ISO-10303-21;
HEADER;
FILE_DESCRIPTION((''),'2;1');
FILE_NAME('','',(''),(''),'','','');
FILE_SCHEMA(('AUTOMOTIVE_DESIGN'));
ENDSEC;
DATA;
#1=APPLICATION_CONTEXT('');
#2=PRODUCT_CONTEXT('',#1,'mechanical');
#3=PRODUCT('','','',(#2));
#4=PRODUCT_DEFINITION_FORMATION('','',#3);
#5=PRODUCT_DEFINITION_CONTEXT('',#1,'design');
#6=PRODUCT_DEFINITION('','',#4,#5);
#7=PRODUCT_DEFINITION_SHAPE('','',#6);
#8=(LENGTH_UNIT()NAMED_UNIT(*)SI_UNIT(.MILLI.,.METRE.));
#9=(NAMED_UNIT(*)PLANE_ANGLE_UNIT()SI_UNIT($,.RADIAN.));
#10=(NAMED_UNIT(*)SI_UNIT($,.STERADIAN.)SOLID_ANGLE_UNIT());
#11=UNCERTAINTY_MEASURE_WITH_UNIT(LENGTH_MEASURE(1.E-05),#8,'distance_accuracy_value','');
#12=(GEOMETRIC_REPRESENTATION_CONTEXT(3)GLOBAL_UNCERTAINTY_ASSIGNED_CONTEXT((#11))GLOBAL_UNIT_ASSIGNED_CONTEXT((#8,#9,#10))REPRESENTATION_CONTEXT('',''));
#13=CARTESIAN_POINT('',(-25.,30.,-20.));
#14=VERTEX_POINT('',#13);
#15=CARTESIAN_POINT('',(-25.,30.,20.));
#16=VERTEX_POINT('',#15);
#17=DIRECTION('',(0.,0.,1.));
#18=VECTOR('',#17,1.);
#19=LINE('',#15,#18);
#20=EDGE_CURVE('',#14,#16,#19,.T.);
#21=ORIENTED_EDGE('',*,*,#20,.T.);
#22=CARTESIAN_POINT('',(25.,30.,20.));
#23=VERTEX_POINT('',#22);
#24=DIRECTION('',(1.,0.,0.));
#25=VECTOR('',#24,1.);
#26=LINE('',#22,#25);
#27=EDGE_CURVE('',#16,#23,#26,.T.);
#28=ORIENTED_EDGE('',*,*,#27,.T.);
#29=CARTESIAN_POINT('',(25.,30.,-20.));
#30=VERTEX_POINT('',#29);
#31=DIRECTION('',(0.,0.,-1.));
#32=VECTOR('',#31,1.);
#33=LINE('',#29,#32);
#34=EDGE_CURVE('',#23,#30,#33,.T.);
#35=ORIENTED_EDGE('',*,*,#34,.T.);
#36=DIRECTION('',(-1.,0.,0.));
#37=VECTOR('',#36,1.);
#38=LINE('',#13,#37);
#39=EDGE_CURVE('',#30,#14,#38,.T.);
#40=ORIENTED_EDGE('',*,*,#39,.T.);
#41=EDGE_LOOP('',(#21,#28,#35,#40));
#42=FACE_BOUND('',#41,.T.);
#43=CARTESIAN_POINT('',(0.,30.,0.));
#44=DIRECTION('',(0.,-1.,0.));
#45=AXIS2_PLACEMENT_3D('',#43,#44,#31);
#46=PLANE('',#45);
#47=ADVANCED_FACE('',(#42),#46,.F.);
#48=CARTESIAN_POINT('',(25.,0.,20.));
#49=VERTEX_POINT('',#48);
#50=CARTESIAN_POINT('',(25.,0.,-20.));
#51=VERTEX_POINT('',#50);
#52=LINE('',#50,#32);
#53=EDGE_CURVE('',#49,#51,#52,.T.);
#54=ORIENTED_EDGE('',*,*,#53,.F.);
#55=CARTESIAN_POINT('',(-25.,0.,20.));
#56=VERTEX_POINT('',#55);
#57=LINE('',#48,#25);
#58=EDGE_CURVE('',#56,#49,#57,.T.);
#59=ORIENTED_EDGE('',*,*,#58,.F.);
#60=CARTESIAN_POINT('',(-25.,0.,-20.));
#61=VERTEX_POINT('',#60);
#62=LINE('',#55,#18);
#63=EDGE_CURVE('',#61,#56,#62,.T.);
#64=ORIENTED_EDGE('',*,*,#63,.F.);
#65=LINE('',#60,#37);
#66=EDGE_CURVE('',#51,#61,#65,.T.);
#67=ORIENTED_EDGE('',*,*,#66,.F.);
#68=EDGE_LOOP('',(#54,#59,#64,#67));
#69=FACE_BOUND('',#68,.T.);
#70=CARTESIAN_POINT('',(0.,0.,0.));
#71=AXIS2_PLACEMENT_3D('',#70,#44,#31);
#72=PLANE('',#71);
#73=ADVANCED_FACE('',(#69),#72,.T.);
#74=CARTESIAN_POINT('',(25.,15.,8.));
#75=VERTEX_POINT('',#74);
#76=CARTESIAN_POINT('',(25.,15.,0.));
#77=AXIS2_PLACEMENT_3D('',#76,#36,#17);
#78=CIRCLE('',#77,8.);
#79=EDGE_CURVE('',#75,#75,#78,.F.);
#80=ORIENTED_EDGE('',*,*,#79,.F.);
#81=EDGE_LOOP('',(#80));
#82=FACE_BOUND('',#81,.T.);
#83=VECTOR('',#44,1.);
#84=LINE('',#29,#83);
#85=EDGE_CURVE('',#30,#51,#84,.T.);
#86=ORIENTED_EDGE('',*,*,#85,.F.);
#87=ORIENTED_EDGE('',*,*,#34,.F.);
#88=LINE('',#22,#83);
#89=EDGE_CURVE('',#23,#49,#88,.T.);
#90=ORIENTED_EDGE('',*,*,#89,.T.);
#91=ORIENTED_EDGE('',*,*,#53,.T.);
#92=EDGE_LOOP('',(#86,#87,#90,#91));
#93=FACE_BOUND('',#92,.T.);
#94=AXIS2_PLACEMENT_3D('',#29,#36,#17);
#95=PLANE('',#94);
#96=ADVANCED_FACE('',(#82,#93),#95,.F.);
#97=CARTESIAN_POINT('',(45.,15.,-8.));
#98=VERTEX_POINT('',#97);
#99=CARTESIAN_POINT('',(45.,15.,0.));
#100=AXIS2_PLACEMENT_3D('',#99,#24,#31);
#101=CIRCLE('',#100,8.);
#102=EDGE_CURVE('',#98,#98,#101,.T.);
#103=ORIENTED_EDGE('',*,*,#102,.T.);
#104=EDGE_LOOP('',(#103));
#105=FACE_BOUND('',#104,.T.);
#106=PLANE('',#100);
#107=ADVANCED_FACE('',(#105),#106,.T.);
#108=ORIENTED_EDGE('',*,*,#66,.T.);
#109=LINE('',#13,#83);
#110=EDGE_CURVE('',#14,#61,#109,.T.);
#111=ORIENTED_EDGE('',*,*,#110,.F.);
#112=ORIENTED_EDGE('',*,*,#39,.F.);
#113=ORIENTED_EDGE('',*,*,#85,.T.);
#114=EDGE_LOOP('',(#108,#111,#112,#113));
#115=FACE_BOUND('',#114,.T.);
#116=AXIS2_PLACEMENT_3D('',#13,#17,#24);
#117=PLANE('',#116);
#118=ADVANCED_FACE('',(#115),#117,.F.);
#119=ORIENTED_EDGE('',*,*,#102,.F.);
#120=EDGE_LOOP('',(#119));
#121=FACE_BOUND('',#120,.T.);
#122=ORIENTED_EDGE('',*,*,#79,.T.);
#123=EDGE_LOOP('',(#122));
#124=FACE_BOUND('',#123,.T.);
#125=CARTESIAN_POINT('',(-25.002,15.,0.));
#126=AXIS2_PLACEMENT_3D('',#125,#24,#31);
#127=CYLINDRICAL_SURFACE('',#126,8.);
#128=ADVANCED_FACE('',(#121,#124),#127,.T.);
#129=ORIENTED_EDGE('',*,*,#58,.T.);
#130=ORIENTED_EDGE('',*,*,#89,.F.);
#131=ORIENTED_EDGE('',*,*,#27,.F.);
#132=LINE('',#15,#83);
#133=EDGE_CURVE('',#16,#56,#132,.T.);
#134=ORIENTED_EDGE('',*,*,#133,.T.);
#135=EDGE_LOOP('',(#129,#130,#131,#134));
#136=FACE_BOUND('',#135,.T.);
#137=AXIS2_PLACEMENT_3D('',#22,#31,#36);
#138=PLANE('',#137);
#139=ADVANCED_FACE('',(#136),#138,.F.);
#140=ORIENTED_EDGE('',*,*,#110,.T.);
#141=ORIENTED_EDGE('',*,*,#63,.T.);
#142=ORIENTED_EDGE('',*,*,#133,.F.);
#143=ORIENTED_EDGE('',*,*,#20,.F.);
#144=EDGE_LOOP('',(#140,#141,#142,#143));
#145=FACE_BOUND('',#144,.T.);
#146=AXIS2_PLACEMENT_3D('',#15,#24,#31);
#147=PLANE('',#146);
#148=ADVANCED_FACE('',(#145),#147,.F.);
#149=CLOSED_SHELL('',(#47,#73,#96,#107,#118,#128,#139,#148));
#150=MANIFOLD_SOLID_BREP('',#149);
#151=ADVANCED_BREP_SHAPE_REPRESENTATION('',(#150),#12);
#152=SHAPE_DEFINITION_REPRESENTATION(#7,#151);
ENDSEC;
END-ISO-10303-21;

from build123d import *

# Parameters (mm, degrees)
SKETCH_1_W      = 50
SKETCH_1_H      = 40
EXTRUDE_1_DEPTH = 30
EXTRUDE_2_REACH = 80.74
SKETCH_2_R      = 8


with BuildPart() as part:
    # 草图1 → 凸台-拉伸1 (new body)
    with BuildSketch(Plane(origin=(0, 0, 0), x_dir=(1, 0, 0), z_dir=(0, 1, 0))):
        Rectangle(SKETCH_1_W, SKETCH_1_H)
    extrude(amount=EXTRUDE_1_DEPTH)

    # 草图2 → 凸台-拉伸2 (add, up to next)
    with BuildSketch(Plane(origin=(45, 0, 0), x_dir=(0, 0, -1), z_dir=(1, 0, 0)), mode=Mode.PRIVATE) as extrude_2_sk1:
        with Locations((0, 15)):
            Circle(SKETCH_2_R)
    extrude_2_tool1 = extrude(extrude_2_sk1.sketch, amount=-EXTRUDE_2_REACH, mode=Mode.PRIVATE) - part.part
    add(extrude_2_tool1.solids().sort_by_distance((45, 15, 0))[0])


solid = part.part
